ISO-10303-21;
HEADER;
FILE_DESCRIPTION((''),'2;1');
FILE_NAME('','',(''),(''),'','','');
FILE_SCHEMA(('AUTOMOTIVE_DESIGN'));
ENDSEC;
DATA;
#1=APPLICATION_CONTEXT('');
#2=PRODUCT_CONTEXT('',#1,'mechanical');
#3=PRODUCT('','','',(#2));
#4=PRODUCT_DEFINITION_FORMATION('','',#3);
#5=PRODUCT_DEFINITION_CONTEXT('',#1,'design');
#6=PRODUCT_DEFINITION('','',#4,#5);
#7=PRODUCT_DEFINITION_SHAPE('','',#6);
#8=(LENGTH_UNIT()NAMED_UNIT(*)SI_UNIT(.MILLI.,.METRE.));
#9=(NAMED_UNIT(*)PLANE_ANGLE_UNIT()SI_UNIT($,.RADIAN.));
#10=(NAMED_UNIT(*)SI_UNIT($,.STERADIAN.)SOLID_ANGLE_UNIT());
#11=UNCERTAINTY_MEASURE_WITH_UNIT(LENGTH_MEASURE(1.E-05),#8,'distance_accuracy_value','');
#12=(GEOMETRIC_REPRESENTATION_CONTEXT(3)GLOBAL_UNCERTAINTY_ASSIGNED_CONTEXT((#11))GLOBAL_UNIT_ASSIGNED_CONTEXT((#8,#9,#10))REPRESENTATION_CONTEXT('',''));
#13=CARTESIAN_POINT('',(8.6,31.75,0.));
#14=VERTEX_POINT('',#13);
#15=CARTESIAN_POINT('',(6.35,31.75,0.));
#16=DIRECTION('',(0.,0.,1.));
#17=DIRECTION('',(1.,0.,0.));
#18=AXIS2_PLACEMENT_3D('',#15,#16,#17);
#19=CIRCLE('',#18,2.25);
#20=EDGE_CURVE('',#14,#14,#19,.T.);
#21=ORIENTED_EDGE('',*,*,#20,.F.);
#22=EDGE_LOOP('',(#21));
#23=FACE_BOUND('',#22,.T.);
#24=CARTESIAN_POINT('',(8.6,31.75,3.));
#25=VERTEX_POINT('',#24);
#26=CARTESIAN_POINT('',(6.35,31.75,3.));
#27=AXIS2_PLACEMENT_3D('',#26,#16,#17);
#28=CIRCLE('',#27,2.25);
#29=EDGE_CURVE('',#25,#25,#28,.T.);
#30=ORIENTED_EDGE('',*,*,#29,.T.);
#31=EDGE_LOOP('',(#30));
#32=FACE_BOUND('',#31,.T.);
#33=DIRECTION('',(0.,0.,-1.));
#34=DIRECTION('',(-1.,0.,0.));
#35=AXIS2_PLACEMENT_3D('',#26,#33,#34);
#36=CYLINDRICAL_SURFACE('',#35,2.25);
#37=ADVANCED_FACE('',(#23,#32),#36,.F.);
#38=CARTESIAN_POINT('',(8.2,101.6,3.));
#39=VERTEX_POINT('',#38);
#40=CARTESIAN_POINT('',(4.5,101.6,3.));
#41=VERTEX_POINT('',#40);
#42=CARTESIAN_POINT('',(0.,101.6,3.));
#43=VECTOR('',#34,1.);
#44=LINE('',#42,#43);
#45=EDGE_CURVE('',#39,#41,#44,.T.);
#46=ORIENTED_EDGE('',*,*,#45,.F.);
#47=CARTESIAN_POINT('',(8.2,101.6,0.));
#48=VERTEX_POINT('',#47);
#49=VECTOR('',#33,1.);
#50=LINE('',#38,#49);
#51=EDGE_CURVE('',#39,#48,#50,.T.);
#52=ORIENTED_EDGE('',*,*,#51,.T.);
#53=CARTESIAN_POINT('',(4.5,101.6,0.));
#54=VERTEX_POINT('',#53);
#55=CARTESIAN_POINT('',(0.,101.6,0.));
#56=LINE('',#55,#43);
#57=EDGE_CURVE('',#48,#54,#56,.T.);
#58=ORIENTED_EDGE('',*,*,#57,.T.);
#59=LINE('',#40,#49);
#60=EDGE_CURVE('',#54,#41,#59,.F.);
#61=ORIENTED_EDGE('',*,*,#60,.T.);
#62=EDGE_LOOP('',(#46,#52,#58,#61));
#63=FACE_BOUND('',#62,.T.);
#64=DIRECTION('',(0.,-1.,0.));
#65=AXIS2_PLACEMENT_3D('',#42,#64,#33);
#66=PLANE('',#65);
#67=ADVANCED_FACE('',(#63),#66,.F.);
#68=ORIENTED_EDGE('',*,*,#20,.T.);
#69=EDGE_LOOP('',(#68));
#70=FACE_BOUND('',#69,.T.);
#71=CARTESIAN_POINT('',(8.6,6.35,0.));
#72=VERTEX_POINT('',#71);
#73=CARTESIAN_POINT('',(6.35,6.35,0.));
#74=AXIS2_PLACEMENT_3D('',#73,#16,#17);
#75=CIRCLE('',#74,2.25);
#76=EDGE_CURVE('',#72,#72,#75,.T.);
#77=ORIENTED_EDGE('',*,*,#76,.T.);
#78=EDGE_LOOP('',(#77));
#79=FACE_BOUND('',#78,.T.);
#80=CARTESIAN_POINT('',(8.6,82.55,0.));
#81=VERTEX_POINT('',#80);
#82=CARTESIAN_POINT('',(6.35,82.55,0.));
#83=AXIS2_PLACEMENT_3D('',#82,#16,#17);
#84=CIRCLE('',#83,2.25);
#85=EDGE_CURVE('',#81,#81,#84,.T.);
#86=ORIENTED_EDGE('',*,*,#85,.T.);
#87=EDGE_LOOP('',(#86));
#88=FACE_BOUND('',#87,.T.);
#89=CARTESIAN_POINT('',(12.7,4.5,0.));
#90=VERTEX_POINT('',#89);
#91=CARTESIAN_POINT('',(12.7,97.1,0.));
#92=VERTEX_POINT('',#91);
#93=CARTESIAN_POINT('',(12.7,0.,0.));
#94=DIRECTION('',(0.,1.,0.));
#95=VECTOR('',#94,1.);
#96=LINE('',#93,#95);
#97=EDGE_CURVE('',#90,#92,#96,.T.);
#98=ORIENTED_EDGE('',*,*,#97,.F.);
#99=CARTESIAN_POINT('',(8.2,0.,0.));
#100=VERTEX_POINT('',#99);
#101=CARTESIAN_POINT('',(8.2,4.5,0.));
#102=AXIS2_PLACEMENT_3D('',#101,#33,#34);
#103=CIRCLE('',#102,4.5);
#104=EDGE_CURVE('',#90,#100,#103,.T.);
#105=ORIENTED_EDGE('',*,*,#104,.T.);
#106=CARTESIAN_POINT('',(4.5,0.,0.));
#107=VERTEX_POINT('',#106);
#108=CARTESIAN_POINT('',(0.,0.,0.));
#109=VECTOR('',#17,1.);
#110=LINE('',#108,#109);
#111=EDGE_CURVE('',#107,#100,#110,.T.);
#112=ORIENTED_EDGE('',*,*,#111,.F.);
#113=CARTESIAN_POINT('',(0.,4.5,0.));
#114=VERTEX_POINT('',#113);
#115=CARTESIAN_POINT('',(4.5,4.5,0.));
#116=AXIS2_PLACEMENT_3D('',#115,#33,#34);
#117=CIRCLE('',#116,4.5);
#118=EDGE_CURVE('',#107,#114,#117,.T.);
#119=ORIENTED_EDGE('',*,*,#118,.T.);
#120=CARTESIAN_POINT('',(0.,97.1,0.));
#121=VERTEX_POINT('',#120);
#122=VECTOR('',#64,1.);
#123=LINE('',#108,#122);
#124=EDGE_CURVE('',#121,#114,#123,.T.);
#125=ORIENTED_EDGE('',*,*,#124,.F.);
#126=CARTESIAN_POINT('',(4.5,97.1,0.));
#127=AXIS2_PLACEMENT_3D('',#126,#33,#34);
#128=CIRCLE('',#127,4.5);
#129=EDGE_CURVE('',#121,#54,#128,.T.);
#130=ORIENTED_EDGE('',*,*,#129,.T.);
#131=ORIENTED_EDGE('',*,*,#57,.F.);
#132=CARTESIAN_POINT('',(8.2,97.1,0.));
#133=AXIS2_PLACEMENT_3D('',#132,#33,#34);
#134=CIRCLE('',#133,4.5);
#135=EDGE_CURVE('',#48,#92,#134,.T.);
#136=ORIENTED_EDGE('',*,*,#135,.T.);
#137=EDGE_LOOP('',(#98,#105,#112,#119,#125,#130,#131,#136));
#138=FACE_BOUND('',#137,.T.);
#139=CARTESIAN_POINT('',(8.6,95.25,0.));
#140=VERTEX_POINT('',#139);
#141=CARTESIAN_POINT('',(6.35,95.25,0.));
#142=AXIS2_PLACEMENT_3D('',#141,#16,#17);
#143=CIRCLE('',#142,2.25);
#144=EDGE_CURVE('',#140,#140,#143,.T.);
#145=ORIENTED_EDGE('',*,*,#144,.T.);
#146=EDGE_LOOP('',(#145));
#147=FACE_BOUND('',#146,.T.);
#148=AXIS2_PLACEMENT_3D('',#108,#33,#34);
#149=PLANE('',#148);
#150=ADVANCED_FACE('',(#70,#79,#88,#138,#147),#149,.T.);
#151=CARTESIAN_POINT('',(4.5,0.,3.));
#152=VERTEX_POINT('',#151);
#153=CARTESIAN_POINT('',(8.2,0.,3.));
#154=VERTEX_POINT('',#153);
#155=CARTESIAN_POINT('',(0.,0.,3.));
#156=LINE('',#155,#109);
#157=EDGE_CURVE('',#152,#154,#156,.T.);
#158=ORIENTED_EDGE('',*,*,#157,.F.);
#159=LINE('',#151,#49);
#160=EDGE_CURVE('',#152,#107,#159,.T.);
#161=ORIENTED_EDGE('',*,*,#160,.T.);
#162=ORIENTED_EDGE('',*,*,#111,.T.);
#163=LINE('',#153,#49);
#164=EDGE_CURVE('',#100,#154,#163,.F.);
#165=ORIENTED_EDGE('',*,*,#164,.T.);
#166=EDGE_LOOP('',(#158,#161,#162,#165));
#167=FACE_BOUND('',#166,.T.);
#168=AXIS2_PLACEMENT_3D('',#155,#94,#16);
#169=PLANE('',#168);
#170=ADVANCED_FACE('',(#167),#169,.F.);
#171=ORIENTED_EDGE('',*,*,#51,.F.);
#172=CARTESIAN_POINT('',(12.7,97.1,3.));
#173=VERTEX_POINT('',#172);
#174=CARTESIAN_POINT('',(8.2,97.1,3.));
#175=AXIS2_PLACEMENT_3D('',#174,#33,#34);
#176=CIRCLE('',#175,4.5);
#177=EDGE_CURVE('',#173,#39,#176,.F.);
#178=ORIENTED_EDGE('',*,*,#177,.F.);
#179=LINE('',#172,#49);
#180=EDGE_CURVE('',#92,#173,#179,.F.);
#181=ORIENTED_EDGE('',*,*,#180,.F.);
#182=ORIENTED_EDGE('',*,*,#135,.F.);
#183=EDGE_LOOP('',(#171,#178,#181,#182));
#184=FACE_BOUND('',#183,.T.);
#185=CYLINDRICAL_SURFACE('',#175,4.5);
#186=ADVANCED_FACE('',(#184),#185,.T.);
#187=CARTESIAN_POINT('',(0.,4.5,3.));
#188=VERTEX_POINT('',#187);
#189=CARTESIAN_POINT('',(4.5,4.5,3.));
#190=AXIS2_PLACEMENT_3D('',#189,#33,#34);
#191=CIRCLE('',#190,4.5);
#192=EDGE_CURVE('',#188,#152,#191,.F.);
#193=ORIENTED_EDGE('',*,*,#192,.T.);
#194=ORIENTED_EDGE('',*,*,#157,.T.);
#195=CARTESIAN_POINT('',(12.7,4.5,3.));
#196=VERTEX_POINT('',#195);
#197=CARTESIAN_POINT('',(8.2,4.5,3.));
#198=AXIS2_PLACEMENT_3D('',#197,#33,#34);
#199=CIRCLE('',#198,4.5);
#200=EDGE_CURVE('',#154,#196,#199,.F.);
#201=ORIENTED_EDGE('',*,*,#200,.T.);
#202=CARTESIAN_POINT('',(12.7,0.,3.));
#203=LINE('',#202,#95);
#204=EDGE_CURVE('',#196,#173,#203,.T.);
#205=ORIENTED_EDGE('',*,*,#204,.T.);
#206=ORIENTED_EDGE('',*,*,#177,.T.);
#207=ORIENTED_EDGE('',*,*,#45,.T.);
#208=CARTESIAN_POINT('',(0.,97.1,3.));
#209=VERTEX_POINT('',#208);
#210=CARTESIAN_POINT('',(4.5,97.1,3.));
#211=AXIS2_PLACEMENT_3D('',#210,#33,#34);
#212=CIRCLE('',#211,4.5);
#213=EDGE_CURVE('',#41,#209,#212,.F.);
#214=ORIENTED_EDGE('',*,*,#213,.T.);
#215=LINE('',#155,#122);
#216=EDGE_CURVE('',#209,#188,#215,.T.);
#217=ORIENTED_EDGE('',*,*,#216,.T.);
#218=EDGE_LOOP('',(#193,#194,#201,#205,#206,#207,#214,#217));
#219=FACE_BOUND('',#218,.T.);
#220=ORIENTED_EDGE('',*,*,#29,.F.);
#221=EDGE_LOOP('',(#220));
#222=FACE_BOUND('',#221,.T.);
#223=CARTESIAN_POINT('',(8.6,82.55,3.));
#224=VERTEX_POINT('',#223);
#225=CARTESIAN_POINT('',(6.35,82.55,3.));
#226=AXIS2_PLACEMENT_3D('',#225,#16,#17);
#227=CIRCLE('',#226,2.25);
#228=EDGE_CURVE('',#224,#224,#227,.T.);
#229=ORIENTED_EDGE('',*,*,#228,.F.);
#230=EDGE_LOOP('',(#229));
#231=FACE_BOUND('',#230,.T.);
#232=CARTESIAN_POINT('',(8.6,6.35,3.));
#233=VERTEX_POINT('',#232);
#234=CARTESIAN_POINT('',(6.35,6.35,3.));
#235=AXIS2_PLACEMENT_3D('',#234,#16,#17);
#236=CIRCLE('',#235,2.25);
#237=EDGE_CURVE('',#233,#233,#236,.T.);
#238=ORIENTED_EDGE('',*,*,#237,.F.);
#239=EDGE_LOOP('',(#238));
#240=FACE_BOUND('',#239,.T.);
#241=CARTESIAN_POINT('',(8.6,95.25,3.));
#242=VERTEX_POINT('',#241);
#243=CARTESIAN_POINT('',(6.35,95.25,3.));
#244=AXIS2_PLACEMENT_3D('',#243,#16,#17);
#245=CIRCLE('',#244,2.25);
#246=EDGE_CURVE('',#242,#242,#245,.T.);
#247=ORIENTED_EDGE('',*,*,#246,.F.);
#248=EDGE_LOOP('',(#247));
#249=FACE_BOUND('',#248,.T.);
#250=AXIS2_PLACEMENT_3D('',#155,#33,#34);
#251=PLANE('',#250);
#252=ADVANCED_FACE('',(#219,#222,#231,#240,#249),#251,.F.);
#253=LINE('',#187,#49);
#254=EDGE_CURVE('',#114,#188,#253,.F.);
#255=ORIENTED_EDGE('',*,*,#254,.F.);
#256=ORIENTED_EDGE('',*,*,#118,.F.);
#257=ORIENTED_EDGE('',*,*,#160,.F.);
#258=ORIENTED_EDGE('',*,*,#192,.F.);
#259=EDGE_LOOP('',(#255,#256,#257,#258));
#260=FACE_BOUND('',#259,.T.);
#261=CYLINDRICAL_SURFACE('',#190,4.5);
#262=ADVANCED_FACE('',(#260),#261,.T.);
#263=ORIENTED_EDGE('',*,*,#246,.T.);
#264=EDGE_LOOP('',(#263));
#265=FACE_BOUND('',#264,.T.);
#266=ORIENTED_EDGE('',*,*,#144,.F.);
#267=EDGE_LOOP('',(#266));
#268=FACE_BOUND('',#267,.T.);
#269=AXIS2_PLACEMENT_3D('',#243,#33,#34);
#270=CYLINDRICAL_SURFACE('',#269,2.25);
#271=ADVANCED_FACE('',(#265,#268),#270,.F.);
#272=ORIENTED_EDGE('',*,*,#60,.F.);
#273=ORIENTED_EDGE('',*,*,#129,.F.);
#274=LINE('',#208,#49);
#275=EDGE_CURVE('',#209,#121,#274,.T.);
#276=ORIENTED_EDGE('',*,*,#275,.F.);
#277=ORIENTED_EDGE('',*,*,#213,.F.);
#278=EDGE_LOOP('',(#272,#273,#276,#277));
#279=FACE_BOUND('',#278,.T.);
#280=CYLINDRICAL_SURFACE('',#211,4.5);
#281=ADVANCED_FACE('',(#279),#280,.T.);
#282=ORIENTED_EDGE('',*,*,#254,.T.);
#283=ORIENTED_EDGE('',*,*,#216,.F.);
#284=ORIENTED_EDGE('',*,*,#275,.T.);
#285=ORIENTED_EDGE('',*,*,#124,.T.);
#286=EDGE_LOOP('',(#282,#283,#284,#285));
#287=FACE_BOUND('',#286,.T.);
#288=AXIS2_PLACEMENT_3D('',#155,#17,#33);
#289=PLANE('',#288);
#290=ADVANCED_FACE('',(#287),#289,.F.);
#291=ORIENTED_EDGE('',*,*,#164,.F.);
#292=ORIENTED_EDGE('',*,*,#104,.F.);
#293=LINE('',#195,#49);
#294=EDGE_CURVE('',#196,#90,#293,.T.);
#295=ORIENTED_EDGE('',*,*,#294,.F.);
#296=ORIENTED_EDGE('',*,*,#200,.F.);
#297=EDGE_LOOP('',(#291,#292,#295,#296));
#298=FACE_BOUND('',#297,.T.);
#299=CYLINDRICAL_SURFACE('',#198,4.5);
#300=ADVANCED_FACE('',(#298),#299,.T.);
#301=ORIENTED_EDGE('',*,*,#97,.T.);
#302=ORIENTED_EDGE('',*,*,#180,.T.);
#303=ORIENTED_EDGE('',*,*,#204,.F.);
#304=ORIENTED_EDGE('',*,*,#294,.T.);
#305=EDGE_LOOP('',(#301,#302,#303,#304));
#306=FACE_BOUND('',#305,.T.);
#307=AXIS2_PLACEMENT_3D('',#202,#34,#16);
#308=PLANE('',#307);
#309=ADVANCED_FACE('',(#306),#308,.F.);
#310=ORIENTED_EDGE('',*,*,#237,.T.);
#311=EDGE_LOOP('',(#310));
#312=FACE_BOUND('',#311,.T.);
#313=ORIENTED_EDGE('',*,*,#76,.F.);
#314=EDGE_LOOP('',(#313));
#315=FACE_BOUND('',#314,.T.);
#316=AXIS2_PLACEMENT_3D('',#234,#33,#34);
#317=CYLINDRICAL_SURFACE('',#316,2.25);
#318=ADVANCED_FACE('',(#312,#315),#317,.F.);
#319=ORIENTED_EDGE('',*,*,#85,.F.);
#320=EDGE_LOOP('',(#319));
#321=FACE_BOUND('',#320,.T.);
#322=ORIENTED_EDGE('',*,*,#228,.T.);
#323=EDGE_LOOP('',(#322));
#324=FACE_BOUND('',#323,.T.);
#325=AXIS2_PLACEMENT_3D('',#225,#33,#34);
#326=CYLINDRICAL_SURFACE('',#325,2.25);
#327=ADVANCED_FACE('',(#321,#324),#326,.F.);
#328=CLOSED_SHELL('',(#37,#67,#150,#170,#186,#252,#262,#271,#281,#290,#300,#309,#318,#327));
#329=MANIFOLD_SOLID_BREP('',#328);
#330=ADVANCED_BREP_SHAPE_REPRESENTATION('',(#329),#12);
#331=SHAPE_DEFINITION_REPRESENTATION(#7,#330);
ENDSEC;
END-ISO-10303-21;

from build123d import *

# Parameters (mm, degrees)
SKETCH1_W           = 12.7
SKETCH1_H           = 101.6
SKETCH1_R           = 2.25
BOSS_EXTRUDE1_DEPTH = 3
FILLET1_R           = 4.5


with BuildPart() as part:
    # Sketch1 → Boss-Extrude1 (new body)
    with BuildSketch(Plane.XY):
        with Locations((6.35, 50.8)):
            Rectangle(SKETCH1_W, SKETCH1_H)
        with Locations((6.35, 6.35)):
            Circle(SKETCH1_R, mode=Mode.SUBTRACT)
        with Locations((6.35, 95.25)):
            Circle(SKETCH1_R, mode=Mode.SUBTRACT)
        with Locations((6.35, 82.55)):
            Circle(SKETCH1_R, mode=Mode.SUBTRACT)
        with Locations((6.35, 31.75)):
            Circle(SKETCH1_R, mode=Mode.SUBTRACT)
    extrude(amount=BOSS_EXTRUDE1_DEPTH)

    # Fillet1
    fillet1_edges = [part.edges().sort_by_distance(p)[0] for p in [
        (0, 101.6, 1.5),
        (12.7, 101.6, 1.5),
        (12.7, 0, 1.5),
        (0, 0, 1.5),
    ]]
    fillet(fillet1_edges, radius=FILLET1_R)


solid = part.part
